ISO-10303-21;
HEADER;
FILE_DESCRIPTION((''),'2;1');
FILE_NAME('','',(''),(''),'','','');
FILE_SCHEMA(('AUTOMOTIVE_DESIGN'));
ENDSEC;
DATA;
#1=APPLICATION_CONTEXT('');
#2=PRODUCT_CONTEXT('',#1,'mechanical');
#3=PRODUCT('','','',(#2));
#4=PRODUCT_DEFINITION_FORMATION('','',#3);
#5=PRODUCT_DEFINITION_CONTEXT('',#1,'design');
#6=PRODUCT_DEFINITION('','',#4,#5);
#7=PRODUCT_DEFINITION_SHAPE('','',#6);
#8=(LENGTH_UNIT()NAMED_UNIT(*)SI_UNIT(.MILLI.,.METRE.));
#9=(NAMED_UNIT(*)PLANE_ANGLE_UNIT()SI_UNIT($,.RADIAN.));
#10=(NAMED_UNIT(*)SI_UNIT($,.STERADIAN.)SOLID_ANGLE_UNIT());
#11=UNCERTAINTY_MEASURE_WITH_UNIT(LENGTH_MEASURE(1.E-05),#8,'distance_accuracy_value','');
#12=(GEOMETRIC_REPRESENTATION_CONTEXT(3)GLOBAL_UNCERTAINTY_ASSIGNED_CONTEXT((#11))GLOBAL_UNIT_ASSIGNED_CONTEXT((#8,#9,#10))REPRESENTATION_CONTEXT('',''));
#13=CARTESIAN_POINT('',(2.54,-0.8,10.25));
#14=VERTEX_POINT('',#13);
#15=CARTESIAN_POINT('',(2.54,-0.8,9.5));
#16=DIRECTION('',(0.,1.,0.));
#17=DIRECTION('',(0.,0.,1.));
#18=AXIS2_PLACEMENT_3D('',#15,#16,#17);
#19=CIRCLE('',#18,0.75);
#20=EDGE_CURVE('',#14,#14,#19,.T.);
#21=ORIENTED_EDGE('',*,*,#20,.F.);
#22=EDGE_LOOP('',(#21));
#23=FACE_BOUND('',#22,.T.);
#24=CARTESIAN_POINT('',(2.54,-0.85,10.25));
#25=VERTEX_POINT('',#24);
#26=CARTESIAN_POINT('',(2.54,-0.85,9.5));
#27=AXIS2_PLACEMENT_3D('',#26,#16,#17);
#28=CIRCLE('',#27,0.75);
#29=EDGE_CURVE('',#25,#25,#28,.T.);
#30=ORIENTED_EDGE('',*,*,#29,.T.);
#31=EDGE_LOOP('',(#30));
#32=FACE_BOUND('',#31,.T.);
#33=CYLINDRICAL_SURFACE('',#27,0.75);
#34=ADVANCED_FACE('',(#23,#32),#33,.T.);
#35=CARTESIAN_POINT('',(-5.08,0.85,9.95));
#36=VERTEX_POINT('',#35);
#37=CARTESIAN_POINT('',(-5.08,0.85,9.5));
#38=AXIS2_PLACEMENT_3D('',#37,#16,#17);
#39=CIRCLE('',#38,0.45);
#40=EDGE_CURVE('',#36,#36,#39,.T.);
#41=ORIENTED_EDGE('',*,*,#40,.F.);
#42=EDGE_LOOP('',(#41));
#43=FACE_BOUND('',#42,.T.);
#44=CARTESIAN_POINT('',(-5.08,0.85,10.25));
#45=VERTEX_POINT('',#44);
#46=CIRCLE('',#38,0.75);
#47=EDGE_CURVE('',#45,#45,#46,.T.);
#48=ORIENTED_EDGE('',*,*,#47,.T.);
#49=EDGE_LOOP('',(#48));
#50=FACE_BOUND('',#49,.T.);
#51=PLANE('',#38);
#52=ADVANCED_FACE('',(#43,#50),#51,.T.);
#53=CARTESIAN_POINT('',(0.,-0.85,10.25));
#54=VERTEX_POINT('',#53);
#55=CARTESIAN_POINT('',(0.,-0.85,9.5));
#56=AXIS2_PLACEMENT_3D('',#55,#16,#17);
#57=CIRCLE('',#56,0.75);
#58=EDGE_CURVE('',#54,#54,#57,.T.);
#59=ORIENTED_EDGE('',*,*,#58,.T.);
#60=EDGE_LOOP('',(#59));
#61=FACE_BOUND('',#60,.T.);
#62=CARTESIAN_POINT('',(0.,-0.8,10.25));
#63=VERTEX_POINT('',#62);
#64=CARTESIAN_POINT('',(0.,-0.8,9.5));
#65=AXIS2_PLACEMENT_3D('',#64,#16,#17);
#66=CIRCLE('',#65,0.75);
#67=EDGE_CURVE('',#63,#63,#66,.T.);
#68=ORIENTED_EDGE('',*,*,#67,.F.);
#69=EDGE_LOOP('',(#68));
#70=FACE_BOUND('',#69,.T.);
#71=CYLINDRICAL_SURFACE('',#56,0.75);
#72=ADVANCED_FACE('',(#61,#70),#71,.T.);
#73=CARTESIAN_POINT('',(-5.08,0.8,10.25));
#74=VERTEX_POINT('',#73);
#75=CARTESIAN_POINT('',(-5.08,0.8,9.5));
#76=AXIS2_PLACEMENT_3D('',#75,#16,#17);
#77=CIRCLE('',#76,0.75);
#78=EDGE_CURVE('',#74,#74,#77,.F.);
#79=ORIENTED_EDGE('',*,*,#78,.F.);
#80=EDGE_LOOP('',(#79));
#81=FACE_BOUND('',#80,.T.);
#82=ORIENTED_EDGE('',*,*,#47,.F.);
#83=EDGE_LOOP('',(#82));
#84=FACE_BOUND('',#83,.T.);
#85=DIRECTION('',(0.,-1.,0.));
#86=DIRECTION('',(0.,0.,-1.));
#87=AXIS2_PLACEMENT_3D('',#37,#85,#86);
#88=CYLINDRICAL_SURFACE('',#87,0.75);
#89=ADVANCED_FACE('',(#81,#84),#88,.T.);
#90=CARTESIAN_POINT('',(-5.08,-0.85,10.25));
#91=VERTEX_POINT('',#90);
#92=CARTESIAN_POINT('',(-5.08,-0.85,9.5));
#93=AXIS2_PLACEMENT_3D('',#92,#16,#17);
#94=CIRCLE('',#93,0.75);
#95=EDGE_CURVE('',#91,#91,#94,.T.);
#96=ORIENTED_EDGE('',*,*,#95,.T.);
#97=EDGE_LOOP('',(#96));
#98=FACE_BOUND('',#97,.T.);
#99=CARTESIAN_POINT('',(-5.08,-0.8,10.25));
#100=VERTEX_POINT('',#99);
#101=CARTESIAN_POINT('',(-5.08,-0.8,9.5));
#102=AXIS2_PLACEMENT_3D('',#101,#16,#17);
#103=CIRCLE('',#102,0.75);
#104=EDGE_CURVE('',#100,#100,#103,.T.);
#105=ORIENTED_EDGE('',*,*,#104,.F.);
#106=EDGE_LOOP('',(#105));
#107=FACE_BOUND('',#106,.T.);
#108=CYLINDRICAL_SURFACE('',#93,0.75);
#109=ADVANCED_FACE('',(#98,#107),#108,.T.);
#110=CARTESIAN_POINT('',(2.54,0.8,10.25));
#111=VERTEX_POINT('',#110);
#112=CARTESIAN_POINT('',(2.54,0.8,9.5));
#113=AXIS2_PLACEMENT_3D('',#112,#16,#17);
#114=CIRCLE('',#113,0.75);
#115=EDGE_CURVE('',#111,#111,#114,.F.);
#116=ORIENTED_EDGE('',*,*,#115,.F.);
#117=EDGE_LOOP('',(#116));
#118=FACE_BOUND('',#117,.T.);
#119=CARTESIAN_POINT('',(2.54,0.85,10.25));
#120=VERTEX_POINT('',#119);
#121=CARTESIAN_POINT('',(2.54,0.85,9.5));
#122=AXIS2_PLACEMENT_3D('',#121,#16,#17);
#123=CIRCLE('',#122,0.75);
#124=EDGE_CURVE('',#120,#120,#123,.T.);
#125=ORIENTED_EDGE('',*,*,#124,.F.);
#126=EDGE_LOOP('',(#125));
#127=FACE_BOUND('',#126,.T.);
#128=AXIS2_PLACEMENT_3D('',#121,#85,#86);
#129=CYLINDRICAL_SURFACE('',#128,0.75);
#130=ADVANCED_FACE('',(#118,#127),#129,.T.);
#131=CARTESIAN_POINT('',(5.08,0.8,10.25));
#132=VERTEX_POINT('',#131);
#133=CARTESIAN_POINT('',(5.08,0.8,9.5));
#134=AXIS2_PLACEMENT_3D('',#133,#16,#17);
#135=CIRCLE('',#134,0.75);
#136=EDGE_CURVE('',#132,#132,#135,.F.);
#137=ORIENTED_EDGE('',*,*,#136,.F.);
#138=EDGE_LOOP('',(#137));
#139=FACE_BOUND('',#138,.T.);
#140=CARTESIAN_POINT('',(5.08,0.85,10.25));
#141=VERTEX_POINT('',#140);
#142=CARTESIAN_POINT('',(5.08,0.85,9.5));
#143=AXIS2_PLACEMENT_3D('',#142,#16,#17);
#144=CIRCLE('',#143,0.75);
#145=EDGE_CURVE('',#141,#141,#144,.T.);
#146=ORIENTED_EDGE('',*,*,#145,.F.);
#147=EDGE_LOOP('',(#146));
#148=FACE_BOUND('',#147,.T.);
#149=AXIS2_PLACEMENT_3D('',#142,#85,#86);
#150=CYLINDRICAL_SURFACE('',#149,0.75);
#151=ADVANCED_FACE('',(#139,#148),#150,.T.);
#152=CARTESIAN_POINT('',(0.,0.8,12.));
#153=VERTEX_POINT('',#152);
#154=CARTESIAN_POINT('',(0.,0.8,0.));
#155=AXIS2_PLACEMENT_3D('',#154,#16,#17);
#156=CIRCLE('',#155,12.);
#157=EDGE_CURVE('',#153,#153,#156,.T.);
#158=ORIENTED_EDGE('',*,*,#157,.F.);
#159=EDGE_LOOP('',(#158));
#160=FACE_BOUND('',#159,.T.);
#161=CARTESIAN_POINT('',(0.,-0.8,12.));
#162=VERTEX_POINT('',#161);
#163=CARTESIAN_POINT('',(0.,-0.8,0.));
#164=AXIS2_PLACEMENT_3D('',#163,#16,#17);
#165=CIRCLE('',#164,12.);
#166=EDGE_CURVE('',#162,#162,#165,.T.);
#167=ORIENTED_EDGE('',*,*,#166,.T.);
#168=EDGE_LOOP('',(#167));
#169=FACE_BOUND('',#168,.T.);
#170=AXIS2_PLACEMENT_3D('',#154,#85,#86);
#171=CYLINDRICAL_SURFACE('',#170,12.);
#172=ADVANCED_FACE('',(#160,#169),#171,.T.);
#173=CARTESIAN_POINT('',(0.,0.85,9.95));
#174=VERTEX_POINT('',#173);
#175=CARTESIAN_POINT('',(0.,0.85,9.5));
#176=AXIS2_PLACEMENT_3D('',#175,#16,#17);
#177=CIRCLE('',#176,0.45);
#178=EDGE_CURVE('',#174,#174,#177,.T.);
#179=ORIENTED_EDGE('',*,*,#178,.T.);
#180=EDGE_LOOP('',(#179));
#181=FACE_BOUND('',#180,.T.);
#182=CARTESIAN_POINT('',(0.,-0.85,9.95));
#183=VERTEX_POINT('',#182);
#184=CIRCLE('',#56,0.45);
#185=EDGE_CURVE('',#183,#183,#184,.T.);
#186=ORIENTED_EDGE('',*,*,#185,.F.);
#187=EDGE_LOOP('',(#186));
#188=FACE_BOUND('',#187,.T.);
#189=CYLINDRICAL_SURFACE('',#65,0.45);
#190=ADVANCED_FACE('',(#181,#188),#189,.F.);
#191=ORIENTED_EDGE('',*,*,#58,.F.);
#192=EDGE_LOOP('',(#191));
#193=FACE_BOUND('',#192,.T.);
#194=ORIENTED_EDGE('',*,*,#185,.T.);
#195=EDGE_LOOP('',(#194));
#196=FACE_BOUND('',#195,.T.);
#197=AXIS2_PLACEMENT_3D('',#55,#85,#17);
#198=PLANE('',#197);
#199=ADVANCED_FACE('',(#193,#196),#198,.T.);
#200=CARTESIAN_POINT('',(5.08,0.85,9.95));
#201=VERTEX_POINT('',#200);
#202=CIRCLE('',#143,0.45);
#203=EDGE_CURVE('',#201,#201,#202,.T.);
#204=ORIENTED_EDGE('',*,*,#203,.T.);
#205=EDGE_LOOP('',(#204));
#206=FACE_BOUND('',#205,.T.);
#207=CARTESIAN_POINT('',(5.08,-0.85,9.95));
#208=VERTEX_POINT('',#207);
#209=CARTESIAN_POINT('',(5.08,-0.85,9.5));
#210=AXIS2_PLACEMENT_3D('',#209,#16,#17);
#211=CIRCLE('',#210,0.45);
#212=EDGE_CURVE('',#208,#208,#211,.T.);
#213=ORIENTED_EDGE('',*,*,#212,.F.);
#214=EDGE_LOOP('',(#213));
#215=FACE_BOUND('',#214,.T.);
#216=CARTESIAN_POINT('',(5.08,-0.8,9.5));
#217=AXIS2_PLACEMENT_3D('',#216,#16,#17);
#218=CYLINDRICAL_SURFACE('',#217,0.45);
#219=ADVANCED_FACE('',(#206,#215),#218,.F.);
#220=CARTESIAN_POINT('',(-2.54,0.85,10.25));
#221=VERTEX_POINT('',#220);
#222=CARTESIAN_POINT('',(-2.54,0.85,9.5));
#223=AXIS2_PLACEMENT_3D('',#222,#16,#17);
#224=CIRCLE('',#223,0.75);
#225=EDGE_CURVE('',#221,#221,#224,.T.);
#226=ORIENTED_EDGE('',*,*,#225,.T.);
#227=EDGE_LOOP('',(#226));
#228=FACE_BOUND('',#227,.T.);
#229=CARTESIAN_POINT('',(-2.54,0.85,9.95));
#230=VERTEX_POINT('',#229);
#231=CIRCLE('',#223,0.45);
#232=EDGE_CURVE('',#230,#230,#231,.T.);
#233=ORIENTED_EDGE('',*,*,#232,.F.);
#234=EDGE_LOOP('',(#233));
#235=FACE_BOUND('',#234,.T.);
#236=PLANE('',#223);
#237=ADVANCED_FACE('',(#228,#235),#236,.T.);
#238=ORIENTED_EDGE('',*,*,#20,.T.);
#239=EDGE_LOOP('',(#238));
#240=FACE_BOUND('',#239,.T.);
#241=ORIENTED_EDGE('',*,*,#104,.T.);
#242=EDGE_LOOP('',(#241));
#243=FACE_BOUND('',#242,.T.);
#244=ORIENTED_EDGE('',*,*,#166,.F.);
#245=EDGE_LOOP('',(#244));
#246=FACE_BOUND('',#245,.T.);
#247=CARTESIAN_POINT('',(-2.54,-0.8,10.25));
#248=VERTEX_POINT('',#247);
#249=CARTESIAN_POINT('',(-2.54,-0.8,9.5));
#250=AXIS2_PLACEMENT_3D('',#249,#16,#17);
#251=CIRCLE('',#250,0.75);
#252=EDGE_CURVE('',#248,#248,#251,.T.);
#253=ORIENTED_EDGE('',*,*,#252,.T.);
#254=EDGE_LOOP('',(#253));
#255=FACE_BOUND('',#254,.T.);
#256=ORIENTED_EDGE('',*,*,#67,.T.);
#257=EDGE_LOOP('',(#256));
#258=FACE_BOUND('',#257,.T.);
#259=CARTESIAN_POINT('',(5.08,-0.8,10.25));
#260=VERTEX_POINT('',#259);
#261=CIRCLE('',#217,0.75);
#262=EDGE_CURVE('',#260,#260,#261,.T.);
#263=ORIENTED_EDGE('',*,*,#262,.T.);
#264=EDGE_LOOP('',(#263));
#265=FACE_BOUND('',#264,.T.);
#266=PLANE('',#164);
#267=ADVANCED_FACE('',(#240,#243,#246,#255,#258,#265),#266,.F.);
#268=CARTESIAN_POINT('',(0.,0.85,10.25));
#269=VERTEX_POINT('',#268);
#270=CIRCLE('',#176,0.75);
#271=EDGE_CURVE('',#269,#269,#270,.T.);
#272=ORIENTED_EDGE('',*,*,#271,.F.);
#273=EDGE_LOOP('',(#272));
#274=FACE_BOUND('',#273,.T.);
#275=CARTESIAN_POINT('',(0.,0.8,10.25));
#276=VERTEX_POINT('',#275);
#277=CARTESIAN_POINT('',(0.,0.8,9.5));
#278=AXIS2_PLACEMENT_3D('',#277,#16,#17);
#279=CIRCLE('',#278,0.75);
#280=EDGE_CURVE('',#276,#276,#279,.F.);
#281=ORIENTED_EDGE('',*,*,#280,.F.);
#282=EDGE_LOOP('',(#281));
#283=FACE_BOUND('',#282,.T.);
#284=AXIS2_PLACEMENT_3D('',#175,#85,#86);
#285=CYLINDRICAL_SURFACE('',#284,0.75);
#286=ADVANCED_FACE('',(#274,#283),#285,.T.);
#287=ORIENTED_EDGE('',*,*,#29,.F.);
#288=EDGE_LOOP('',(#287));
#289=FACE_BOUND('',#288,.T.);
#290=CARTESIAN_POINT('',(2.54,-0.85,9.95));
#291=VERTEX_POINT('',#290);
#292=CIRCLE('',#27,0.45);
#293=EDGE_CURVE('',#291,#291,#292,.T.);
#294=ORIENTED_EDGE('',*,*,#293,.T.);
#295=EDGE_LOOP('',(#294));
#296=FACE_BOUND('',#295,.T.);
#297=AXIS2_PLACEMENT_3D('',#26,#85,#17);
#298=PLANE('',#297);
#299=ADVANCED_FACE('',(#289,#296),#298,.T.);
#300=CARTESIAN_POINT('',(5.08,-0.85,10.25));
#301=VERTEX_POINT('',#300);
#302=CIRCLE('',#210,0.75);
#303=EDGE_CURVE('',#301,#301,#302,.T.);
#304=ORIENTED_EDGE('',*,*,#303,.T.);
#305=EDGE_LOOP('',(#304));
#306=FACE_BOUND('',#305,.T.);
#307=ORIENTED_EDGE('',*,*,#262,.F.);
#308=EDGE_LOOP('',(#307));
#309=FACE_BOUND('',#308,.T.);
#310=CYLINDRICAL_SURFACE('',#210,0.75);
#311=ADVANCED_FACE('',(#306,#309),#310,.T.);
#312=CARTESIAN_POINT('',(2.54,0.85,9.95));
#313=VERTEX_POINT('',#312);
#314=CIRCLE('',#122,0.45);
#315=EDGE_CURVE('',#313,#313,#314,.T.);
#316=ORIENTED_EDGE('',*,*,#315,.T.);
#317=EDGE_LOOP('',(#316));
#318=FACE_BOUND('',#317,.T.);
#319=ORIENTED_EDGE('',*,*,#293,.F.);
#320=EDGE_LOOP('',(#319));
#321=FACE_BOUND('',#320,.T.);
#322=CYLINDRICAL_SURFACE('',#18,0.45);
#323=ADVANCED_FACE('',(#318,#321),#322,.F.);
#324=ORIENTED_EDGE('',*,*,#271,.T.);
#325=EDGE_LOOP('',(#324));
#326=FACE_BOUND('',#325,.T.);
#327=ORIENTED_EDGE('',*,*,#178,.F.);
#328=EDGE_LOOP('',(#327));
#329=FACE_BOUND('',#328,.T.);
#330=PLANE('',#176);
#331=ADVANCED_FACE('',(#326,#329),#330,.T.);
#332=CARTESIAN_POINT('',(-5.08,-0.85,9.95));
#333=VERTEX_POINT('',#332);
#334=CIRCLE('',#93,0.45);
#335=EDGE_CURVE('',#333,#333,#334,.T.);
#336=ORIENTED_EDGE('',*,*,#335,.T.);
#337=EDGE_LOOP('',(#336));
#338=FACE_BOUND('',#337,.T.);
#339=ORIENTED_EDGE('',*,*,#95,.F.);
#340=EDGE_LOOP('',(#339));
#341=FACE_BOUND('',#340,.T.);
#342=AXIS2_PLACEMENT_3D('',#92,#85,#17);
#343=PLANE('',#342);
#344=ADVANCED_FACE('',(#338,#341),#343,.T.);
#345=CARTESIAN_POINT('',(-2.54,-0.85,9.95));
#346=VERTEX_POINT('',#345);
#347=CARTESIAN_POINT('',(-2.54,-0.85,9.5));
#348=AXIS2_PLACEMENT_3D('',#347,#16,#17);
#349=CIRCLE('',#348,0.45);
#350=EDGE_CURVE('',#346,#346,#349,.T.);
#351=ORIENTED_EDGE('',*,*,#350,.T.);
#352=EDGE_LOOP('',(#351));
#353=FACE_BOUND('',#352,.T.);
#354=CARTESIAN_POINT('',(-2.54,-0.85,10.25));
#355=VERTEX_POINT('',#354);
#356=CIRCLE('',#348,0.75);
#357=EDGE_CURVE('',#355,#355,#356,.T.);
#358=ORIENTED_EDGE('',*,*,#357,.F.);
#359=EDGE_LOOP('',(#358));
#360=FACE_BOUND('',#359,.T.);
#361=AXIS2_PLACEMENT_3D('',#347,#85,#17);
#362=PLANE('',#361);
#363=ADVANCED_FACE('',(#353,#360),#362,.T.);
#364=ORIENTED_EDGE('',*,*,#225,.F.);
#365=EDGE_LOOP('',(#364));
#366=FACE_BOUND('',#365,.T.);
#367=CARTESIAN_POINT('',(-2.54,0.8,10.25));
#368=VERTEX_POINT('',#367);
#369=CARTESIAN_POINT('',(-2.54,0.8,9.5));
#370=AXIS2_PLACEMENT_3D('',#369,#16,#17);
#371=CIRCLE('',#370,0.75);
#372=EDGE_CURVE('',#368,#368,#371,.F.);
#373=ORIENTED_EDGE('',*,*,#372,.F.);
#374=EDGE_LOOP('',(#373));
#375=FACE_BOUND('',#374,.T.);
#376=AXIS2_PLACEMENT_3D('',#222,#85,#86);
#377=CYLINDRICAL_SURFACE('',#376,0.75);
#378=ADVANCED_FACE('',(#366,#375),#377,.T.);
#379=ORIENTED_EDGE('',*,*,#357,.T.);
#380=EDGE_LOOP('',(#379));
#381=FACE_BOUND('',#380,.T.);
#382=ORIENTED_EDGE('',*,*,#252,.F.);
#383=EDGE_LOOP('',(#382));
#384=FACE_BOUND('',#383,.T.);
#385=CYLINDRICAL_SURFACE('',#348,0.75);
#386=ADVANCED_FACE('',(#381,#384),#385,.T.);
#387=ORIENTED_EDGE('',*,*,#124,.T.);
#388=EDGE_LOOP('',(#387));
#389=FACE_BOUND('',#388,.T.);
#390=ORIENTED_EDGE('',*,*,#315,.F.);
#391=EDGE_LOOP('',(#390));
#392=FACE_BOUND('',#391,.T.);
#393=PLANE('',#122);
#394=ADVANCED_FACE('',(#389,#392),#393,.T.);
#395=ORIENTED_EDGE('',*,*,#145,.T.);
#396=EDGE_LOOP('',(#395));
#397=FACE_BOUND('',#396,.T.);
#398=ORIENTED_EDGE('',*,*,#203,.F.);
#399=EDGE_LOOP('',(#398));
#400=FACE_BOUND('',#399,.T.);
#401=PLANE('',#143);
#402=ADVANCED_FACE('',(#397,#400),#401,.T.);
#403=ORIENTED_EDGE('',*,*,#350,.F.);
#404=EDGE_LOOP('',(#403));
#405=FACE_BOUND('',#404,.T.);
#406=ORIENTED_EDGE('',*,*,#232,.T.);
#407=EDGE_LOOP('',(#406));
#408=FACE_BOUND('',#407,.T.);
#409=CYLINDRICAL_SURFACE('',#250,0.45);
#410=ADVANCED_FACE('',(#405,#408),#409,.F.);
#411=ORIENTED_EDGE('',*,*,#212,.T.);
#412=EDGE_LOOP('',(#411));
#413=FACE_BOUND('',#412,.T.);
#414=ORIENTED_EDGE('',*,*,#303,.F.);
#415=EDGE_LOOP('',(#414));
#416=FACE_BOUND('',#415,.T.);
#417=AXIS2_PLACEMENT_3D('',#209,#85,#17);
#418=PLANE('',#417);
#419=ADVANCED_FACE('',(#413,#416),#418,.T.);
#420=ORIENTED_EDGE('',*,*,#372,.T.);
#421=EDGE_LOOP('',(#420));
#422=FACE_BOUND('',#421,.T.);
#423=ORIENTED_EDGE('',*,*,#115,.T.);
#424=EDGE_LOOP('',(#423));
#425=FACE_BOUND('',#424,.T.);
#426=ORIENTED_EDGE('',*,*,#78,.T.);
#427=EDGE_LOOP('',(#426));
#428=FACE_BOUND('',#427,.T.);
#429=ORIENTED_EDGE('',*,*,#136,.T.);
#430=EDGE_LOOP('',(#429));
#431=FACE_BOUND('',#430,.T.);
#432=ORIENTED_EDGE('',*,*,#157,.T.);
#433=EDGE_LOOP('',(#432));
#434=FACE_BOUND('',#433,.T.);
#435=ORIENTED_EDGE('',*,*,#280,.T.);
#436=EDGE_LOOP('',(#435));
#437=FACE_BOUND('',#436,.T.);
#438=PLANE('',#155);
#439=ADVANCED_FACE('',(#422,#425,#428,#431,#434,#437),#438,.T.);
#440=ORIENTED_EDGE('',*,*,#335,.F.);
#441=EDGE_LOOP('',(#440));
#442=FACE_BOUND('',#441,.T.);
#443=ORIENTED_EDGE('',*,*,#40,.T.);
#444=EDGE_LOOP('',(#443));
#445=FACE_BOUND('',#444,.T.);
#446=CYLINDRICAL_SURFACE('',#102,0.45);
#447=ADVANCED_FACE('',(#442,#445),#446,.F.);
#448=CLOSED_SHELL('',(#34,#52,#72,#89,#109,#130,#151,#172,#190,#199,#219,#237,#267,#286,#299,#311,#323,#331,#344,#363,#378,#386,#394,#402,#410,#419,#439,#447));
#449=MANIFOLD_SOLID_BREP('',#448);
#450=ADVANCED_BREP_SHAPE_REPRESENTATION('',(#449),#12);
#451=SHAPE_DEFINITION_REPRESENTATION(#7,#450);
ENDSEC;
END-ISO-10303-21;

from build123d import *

# Parameters (mm, degrees)
SCHIZZO1_R                   = 12
ESTRUSIONE_ESTRUSIONE1_DEPTH = 0.8
SCHIZZO2_R                   = 0.45
TAGLIO_ESTRUSIONE1_DEPTH     = 18.045820602
SCHIZZO3_R                   = 0.75
SCHIZZO3_R_2                 = 0.45
ESTRUSIONE_ESTRUSIONE2_DEPTH = 0.05


with BuildPart() as part:
    # Schizzo1 → Estrusione-Estrusione1 (new, symmetric)
    with BuildSketch(Plane(origin=(0, 0, 0), x_dir=(1, 0, 0), z_dir=(0, 1, 0))):
        with Locations(Location((0, 0, 0), (0, 0, 270))):
            Circle(SCHIZZO1_R)
    extrude(amount=ESTRUSIONE_ESTRUSIONE1_DEPTH, both=True)

    # Schizzo2 → Taglio-Estrusione1 (cut, through all)
    with BuildSketch(Plane(origin=(0, 0.8, 0), x_dir=(1, 0, 0), z_dir=(0, 1, 0))):
        with Locations(Location((0, -9.5, 0), (0, 0, 270))):
            Circle(SCHIZZO2_R)
        with Locations(Location((2.54, -9.5, 0), (0, 0, 270))):
            Circle(SCHIZZO2_R)
        with Locations(Location((5.08, -9.5, 0), (0, 0, 270))):
            Circle(SCHIZZO2_R)
        with Locations(Location((-2.54, -9.5, 0), (0, 0, 270))):
            Circle(SCHIZZO2_R)
        with Locations(Location((-5.08, -9.5, 0), (0, 0, 270))):
            Circle(SCHIZZO2_R)
    extrude(amount=-TAGLIO_ESTRUSIONE1_DEPTH, mode=Mode.SUBTRACT)

    # Schizzo3 → Estrusione-Estrusione2 (add, symmetric)
    # profile 1 of 5: a face of its own
    with BuildSketch(Plane(origin=(0, 0.8, 0), x_dir=(1, 0, 0), z_dir=(0, 1, 0))):
        with Locations(Location((-5.08, -9.5, 0), (0, 0, 270))):
            Circle(SCHIZZO3_R)
        with Locations(Location((-5.08, -9.5, 0), (0, 0, 270))):
            Circle(SCHIZZO3_R_2, mode=Mode.SUBTRACT)
    # profile 2 of 5: a face of its own
    with BuildSketch(Plane(origin=(0, 0.8, 0), x_dir=(1, 0, 0), z_dir=(0, 1, 0))):
        with Locations(Location((-2.54, -9.5, 0), (0, 0, 270))):
            Circle(SCHIZZO3_R)
        with Locations(Location((-2.54, -9.5, 0), (0, 0, 270))):
            Circle(SCHIZZO3_R_2, mode=Mode.SUBTRACT)
    # profile 3 of 5: a face of its own
    with BuildSketch(Plane(origin=(0, 0.8, 0), x_dir=(1, 0, 0), z_dir=(0, 1, 0))):
        with Locations(Location((0, -9.5, 0), (0, 0, 270))):
            Circle(SCHIZZO3_R)
        with Locations(Location((0, -9.5, 0), (0, 0, 270))):
            Circle(SCHIZZO3_R_2, mode=Mode.SUBTRACT)
    # profile 4 of 5: a face of its own
    with BuildSketch(Plane(origin=(0, 0.8, 0), x_dir=(1, 0, 0), z_dir=(0, 1, 0))):
        with Locations(Location((2.54, -9.5, 0), (0, 0, 270))):
            Circle(SCHIZZO3_R)
        with Locations(Location((2.54, -9.5, 0), (0, 0, 270))):
            Circle(SCHIZZO3_R_2, mode=Mode.SUBTRACT)
    # profile 5 of 5: a face of its own
    with BuildSketch(Plane(origin=(0, 0.8, 0), x_dir=(1, 0, 0), z_dir=(0, 1, 0))):
        with Locations(Location((5.08, -9.5, 0), (0, 0, 270))):
            Circle(SCHIZZO3_R)
        with Locations(Location((5.08, -9.5, 0), (0, 0, 270))):
            Circle(SCHIZZO3_R_2, mode=Mode.SUBTRACT)
    estrusione_estrusione2 = extrude(amount=ESTRUSIONE_ESTRUSIONE2_DEPTH, both=True)

    # Specchia1: Estrusione-Estrusione2 across plane
    add(estrusione_estrusione2.mirror(Plane.ZX))


solid = part.part
